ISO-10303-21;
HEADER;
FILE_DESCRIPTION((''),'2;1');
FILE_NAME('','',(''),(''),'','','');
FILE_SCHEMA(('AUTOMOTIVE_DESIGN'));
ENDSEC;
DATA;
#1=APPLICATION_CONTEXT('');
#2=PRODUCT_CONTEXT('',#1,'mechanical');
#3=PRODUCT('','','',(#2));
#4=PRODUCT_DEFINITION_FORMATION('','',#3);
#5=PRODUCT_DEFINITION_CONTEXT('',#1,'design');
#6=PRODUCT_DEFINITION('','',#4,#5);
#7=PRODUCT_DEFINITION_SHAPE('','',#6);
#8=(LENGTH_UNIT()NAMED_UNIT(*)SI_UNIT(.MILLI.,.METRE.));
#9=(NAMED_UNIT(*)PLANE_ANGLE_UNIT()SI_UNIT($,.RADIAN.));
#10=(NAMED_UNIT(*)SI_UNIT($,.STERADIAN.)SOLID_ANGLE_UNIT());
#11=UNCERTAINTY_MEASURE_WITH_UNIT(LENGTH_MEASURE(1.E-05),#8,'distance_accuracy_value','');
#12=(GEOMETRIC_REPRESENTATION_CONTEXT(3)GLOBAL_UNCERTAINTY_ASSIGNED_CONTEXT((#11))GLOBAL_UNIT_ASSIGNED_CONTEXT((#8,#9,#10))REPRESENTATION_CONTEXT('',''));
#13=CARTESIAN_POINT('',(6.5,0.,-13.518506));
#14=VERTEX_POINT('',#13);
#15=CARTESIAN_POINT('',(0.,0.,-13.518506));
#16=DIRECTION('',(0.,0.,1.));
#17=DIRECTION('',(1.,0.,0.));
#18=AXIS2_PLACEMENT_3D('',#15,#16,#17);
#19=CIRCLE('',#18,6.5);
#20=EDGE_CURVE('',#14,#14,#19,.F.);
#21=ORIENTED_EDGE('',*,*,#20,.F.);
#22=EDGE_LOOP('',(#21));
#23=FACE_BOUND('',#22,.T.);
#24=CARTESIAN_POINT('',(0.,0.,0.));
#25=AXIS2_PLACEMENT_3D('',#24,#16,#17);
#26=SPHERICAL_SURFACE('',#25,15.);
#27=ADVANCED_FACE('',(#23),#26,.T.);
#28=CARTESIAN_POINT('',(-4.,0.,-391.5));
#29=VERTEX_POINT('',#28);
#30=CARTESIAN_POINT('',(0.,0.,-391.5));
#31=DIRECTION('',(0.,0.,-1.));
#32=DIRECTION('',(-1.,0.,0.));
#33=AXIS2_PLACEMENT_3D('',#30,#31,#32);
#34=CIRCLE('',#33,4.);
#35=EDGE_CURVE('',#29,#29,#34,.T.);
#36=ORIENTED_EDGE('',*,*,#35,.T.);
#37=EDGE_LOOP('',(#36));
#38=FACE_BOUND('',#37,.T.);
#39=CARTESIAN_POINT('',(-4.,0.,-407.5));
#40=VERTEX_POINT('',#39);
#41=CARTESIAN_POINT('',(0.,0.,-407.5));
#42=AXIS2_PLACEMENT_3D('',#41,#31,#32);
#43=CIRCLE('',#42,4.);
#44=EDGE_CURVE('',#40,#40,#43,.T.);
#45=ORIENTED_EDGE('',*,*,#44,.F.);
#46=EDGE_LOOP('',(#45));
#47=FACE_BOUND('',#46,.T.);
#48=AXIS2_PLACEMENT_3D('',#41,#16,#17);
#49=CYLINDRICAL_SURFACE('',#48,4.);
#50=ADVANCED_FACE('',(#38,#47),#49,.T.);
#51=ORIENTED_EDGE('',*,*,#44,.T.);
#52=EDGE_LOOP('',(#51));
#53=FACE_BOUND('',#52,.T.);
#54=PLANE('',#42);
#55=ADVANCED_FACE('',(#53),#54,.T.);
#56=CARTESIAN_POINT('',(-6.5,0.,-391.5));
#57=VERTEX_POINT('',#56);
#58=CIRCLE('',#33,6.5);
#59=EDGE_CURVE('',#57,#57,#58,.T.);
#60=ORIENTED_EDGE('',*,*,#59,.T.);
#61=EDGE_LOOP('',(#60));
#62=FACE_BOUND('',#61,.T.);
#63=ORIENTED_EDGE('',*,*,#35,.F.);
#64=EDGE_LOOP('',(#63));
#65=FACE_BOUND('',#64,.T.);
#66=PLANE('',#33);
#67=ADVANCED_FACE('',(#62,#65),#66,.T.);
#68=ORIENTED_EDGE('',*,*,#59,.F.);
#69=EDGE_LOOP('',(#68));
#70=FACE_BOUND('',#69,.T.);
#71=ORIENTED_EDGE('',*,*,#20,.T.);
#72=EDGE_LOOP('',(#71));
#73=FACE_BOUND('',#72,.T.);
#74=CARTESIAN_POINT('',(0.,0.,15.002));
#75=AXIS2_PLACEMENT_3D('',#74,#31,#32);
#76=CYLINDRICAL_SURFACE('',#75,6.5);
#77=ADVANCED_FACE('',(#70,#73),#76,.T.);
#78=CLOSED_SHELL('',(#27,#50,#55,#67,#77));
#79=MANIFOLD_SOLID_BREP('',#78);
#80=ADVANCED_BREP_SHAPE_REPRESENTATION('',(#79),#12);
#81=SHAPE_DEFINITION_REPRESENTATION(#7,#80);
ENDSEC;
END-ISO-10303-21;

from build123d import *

# Parameters (mm, degrees)
SZKIC2_R                                = 6.5
DODANIE_WYCI_GNI_CIE1_DEPTH             = 376.5
DODANIE_WYCI_GNI_CIE1_DIRECTION_2_REACH = 38.742
SZKIC3_R                                = 4
DODANIE_WYCI_GNI_CIE2_DEPTH             = 16


with BuildPart() as part:
    # Szkic1 → Obrót5 (revolve)
    with BuildSketch(Plane.XY):
        with BuildLine():
            Line((0, 15), (0, -15))
            ThreePointArc((0, -15), (-15, 0), (0, 15))
        make_face()
    revolve(axis=Axis((0, 15, 0), (0, -1, 0)))

    # Szkic2 → Dodanie-wyciągnięcie1 (add)
    with BuildSketch(Plane(origin=(0, 0, -15), x_dir=(-1, 0, 0), z_dir=(0, 0, -1))):
        Circle(SZKIC2_R)
    extrude(amount=DODANIE_WYCI_GNI_CIE1_DEPTH)

    # Szkic2 → Dodanie-wyciągnięcie1 direction 2 (add, up to next)
    with BuildSketch(Plane(origin=(0, 0, -15), x_dir=(-1, 0, 0), z_dir=(0, 0, -1)), mode=Mode.PRIVATE) as dodanie_wyci_gni_cie1_direction_2_sk1:
        Circle(SZKIC2_R)
    dodanie_wyci_gni_cie1_direction_2_tool1 = extrude(dodanie_wyci_gni_cie1_direction_2_sk1.sketch, amount=-DODANIE_WYCI_GNI_CIE1_DIRECTION_2_REACH, mode=Mode.PRIVATE) - part.part
    add(dodanie_wyci_gni_cie1_direction_2_tool1.solids().sort_by_distance((0, 0, -15))[0])

    # Szkic3 → Dodanie-wyciągnięcie2 (add)
    with BuildSketch(Plane(origin=(0, 0, -391.5), x_dir=(-1, 0, 0), z_dir=(0, 0, -1))):
        Circle(SZKIC3_R)
    extrude(amount=DODANIE_WYCI_GNI_CIE2_DEPTH)


solid = part.part
